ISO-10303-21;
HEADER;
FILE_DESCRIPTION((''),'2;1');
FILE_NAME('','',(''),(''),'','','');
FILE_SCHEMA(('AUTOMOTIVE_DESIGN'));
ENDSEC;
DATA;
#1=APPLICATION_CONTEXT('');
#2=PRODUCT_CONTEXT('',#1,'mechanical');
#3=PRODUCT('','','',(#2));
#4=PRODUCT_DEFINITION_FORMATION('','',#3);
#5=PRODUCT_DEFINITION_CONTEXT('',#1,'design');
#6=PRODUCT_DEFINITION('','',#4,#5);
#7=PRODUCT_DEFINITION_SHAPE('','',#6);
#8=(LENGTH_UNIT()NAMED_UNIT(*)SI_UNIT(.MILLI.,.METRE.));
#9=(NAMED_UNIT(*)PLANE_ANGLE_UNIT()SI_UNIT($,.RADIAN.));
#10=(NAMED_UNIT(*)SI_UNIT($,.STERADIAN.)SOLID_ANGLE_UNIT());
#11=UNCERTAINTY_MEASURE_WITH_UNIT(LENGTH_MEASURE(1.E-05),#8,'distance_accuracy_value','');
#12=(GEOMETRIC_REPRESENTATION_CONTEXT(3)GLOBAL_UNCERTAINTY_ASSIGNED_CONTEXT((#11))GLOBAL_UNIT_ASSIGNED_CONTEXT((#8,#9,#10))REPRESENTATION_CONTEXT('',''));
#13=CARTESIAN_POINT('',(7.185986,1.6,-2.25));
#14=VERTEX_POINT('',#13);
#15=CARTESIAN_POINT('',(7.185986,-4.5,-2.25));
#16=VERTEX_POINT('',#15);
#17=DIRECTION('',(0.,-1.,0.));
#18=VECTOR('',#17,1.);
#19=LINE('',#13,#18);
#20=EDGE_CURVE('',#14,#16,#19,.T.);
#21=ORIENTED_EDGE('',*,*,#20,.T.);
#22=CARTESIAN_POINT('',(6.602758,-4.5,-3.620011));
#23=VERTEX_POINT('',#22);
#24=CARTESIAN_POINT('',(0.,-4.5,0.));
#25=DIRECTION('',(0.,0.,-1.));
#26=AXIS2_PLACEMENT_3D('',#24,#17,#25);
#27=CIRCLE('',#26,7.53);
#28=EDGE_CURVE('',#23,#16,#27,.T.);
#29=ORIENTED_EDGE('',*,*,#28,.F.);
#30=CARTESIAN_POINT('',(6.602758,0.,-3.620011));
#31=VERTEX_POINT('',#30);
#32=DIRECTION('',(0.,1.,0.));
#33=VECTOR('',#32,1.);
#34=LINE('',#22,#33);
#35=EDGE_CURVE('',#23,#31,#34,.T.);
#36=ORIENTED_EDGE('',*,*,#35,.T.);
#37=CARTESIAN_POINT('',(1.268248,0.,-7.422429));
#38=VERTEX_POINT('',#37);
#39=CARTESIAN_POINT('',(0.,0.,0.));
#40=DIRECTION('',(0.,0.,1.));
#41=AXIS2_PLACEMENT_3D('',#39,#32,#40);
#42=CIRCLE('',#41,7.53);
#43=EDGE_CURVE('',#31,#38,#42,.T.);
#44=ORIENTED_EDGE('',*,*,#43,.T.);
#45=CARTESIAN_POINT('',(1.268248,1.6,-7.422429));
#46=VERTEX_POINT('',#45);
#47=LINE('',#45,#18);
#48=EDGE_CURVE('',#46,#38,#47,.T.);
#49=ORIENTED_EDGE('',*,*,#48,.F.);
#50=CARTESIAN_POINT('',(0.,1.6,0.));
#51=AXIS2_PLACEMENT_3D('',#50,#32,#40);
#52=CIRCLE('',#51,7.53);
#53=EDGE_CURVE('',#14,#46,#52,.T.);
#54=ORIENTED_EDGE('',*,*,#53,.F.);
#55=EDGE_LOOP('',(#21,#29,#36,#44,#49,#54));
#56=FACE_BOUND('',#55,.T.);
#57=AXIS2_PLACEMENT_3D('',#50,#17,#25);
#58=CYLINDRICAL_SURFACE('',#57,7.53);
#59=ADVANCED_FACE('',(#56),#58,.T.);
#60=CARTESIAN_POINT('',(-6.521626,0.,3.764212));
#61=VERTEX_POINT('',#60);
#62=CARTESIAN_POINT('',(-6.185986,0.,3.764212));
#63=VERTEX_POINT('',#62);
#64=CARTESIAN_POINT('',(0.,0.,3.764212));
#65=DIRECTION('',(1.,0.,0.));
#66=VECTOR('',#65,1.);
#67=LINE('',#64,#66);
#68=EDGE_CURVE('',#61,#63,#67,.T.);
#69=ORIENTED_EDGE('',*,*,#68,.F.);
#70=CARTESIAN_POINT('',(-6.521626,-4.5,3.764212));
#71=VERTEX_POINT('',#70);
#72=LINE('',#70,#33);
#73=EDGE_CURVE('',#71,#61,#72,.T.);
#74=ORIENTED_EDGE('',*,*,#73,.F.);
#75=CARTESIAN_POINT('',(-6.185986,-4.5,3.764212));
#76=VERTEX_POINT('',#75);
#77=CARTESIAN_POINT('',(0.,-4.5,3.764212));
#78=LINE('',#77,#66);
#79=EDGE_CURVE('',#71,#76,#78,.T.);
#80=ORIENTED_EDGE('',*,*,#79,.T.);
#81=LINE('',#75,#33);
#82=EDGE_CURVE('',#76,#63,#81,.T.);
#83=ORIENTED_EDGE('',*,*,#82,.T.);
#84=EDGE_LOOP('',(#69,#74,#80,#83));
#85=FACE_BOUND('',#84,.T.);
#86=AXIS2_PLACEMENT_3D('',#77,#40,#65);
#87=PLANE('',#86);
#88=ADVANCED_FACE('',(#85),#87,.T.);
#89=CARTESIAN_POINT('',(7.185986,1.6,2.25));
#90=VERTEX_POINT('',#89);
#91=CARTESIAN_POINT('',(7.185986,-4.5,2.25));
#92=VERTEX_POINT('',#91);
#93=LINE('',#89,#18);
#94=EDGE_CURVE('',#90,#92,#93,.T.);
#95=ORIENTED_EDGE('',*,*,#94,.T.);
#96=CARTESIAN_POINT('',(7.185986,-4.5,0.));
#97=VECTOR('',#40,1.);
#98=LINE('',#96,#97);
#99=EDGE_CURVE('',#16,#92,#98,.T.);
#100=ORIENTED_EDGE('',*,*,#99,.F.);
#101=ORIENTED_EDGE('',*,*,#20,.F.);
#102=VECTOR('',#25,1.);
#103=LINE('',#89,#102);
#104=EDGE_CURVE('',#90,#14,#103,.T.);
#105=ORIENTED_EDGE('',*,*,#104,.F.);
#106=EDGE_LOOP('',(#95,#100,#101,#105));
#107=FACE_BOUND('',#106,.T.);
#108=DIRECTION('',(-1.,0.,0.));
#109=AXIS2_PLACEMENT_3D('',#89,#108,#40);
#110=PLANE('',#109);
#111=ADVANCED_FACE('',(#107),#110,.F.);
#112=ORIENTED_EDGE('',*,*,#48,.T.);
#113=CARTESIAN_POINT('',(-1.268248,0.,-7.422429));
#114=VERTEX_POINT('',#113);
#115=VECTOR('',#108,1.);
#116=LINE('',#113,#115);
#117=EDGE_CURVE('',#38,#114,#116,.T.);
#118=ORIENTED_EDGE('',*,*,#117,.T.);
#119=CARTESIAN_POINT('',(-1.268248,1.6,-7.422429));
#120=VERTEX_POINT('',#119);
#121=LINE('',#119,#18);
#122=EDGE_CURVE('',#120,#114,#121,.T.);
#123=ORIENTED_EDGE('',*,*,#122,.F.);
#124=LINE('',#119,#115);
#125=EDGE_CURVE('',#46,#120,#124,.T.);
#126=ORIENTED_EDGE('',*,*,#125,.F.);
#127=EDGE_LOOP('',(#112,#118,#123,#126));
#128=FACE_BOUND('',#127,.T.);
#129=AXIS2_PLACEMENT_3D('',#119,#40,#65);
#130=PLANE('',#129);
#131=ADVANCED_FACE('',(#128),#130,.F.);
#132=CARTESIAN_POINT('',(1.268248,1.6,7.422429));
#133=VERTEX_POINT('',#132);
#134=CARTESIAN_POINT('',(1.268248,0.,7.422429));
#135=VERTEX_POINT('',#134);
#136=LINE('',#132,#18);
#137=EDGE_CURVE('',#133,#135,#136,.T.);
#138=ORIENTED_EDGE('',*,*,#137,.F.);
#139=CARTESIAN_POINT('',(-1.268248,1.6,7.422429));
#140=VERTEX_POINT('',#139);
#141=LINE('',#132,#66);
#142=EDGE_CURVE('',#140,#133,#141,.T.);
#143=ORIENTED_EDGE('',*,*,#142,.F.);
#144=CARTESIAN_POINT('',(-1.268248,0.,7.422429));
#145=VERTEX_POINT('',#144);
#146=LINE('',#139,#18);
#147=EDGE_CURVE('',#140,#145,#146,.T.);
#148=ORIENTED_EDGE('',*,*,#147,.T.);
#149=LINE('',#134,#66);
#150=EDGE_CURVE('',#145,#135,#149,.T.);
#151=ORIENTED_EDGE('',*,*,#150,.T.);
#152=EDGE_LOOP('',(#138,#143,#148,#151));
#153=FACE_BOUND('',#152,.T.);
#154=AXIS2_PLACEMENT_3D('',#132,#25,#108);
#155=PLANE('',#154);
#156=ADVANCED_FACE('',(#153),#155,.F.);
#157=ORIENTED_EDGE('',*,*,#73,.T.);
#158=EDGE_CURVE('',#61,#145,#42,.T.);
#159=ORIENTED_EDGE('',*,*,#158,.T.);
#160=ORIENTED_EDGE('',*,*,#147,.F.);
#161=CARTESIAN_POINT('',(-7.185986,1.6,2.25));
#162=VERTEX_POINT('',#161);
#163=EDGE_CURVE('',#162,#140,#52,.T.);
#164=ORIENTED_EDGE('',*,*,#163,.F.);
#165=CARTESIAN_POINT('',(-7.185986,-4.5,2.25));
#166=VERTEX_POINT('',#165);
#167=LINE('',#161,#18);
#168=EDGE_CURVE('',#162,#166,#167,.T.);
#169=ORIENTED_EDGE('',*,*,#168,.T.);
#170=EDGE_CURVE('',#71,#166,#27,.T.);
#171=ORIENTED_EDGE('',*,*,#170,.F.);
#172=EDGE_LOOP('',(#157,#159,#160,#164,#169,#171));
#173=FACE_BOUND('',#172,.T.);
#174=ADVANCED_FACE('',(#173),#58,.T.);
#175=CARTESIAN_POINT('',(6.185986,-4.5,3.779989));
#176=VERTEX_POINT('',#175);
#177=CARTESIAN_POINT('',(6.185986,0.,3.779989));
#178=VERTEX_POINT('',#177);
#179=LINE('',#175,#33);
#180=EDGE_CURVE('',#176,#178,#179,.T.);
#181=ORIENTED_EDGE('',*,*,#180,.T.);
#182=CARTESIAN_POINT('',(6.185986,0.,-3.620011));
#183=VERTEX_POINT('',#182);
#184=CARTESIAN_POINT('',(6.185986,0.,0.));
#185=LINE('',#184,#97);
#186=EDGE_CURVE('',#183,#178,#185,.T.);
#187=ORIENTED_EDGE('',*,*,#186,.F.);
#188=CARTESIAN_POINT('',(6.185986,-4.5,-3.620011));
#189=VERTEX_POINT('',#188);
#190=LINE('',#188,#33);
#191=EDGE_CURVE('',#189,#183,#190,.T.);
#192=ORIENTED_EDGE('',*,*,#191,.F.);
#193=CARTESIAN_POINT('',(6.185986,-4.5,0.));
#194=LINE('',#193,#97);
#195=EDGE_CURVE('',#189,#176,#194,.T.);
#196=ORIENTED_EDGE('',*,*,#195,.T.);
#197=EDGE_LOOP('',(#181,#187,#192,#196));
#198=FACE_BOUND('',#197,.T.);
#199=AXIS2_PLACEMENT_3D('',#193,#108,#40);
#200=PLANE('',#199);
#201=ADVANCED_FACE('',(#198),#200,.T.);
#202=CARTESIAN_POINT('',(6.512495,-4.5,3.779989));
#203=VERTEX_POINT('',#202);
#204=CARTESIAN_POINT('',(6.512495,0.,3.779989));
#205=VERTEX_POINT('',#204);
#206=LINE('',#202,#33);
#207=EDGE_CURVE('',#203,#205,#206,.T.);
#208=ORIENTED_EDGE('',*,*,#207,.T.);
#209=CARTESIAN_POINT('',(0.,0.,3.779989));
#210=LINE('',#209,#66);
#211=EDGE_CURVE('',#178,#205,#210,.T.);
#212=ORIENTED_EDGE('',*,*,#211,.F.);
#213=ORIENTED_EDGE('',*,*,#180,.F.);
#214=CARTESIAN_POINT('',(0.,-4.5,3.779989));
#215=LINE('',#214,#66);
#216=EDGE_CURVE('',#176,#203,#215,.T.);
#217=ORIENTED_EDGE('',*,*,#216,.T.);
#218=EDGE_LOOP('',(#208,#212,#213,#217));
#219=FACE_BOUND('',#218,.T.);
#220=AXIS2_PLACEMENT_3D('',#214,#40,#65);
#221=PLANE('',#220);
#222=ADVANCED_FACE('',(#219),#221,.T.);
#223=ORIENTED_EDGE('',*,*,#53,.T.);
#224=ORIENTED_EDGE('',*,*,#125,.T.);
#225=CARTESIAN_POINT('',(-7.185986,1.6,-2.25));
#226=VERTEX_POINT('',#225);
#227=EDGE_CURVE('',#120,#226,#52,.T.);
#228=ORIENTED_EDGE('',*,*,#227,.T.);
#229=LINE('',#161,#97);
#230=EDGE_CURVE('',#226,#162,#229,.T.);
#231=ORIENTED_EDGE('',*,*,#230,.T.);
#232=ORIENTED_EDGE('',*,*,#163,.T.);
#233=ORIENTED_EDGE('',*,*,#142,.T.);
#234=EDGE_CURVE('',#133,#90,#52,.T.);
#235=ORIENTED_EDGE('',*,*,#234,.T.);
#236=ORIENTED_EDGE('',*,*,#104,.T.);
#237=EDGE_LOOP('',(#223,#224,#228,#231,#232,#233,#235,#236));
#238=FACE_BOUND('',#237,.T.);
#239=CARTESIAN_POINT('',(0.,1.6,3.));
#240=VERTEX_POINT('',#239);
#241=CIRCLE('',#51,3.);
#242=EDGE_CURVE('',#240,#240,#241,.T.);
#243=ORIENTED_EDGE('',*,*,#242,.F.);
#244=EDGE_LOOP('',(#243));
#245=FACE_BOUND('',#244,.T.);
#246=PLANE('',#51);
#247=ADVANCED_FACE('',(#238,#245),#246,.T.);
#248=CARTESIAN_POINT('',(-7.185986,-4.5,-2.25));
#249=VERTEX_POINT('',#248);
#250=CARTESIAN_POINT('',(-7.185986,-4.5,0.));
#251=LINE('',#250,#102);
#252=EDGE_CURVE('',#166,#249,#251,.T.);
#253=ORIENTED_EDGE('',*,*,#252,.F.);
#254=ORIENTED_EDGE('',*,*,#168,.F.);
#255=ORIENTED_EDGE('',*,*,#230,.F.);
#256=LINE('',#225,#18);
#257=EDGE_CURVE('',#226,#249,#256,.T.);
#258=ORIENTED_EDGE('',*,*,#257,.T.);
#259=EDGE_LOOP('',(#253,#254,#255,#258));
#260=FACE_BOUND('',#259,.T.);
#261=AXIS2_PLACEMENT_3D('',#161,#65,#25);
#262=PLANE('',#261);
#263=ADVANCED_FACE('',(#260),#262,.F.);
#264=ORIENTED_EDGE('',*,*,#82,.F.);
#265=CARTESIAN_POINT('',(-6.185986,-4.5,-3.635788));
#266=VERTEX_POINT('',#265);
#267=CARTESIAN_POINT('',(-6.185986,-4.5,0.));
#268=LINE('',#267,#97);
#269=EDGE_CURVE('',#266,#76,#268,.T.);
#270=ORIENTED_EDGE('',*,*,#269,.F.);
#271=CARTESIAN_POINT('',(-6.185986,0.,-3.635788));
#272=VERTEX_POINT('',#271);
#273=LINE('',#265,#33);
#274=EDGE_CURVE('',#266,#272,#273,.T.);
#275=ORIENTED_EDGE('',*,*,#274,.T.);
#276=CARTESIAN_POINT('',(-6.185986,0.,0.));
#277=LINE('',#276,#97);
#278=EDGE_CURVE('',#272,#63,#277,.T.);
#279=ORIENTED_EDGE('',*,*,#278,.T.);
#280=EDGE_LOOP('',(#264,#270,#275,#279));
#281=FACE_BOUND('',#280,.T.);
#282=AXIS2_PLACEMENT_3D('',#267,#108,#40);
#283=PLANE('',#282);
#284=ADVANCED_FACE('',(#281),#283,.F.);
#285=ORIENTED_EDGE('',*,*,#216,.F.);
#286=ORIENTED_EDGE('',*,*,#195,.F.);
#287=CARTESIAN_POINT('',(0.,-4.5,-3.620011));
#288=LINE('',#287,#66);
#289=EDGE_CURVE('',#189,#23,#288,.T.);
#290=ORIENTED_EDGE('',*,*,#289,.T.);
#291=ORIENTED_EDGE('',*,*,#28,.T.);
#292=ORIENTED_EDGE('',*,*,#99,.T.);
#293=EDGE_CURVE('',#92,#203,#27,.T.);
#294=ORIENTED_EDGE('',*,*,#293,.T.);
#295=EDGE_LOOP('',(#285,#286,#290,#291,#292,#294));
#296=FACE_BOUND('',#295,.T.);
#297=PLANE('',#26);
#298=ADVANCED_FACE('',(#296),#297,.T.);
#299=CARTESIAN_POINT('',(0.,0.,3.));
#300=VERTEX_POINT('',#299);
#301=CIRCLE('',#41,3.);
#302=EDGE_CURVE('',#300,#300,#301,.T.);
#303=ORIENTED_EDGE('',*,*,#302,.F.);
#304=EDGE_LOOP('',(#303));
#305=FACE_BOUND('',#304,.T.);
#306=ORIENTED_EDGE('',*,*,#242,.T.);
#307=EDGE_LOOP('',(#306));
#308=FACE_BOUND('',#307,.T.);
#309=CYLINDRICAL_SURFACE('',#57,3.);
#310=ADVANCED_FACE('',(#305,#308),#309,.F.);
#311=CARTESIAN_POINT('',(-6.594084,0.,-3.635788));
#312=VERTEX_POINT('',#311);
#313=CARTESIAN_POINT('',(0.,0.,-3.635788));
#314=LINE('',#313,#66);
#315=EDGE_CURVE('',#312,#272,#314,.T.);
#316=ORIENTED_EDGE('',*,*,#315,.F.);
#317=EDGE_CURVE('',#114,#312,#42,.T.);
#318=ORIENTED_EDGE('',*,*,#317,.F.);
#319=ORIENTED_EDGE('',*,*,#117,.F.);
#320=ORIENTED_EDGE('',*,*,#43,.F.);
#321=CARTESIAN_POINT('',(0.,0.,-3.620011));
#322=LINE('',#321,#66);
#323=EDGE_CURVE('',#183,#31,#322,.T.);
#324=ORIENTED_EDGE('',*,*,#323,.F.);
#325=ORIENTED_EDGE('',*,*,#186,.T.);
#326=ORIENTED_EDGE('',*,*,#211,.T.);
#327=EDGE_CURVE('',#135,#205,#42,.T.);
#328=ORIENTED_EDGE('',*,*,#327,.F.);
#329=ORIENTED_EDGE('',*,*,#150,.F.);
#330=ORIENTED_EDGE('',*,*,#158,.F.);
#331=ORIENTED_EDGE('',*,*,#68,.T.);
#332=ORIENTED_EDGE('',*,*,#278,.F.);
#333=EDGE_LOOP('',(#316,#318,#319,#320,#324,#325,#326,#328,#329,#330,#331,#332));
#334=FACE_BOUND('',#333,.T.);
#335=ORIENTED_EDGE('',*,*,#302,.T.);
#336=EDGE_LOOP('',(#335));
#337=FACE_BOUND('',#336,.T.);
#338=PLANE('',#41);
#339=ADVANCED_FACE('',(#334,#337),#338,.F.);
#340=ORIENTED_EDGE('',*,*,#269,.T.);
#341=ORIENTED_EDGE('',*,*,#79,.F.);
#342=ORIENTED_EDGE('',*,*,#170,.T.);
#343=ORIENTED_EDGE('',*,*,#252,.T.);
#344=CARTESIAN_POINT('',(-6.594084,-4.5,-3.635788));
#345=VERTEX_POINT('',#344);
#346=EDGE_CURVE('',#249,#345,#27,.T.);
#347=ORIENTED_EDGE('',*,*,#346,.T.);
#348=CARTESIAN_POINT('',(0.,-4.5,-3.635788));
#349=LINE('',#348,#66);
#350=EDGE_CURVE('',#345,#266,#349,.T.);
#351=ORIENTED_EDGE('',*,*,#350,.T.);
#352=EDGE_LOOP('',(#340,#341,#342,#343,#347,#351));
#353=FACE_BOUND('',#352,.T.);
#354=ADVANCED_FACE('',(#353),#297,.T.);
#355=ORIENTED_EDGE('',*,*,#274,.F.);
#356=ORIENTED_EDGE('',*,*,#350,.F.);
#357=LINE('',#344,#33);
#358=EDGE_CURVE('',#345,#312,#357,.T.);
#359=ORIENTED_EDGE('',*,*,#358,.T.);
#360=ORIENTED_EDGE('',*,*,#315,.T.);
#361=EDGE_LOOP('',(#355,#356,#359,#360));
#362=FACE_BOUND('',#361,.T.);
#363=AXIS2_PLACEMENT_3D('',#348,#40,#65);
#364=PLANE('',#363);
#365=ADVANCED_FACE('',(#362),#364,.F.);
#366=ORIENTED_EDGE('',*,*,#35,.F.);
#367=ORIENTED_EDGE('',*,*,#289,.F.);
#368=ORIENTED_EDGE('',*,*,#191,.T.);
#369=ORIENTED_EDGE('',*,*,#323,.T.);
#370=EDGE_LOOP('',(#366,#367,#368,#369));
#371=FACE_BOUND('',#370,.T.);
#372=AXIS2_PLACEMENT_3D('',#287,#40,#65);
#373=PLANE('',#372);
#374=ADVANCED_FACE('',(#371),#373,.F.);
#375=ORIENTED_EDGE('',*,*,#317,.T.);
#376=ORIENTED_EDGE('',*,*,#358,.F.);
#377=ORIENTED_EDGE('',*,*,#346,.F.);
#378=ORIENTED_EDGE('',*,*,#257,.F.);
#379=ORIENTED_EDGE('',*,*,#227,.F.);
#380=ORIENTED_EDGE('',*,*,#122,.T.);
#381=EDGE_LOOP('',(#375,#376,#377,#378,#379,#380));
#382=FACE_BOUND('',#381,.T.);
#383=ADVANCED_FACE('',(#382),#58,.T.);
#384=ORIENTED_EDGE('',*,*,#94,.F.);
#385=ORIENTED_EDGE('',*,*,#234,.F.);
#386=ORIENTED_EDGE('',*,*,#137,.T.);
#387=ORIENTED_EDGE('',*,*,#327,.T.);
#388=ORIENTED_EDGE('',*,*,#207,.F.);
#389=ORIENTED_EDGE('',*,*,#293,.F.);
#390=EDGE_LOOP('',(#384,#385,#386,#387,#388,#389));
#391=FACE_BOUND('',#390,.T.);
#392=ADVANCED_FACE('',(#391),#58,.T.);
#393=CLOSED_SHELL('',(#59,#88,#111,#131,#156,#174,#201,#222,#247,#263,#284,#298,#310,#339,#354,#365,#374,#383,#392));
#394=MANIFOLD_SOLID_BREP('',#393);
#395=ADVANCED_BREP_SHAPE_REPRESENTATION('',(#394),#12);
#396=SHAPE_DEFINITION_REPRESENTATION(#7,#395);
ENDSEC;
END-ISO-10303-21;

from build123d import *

# Parameters (mm, degrees)
SKETCH1_R           = 3
BOSS_EXTRUDE1_DEPTH = 1.6
BOSS_EXTRUDE3_START = 4.5
BOSS_EXTRUDE3_DEPTH = 4.5


with BuildPart() as part:
    # Sketch1 → Boss-Extrude1 (new body)
    with BuildSketch(Plane(origin=(0, 0, 0), x_dir=(1, 0, 0), z_dir=(0, 1, 0))):
        with BuildLine():
            Line((1.268248439, -7.422428571), (-1.268248439, -7.422428571))
            ThreePointArc((-1.268248439, -7.422428571), (-4.955504601, -5.669556786), (-7.185986362, -2.25))
            Line((-7.185986362, -2.25), (-7.185986362, 2.25))
            ThreePointArc((-7.185986362, 2.25), (-4.955504601, 5.669556786), (-1.268248439, 7.422428571))
            Line((-1.268248439, 7.422428571), (1.268248439, 7.422428571))
            ThreePointArc((1.268248439, 7.422428571), (4.955504601, 5.669556786), (7.185986362, 2.25))
            Line((7.185986362, 2.25), (7.185986362, -2.25))
            ThreePointArc((7.185986362, -2.25), (4.955504601, -5.669556786), (1.268248439, -7.422428571))
        make_face()
        with Locations(Location((0, 0, 0), (0, 0, 270))):
            Circle(SKETCH1_R, mode=Mode.SUBTRACT)
    extrude(amount=BOSS_EXTRUDE1_DEPTH)

    # Sketch2 → Boss-Extrude3 (add)
    with BuildSketch(Plane.XZ.offset(BOSS_EXTRUDE3_START)):
        with BuildLine():
            ThreePointArc((-7.185986362, -2.25), (-6.924787857, -2.957737841), (-6.594083964, -3.635788316))
            Line((-6.594083964, -3.635788316), (-6.185986362, -3.635788316))
            Line((-6.185986362, -3.635788316), (-6.185986362, 3.764211684))
            Line((-6.185986362, 3.764211684), (-6.521626362, 3.764211684))
            ThreePointArc((-6.521626362, 3.764211684), (-6.895496422, 3.025397345), (-7.185986362, 2.25))
            Line((-7.185986362, 2.25), (-7.185986362, -2.25))
        make_face()
        with BuildLine():
            Line((6.185986362, -3.620011298), (6.602758378, -3.620011298))
            ThreePointArc((6.602758378, -3.620011298), (6.928318925, -2.949457048), (7.185986362, -2.25))
            Line((7.185986362, -2.25), (7.185986362, 2.25))
            ThreePointArc((7.185986362, 2.25), (6.891829312, 3.033741706), (6.512494562, 3.779988702))
            Line((6.512494562, 3.779988702), (6.185986362, 3.779988702))
            Line((6.185986362, 3.779988702), (6.185986362, -3.620011298))
        make_face()
    extrude(amount=-BOSS_EXTRUDE3_DEPTH)


solid = part.part
